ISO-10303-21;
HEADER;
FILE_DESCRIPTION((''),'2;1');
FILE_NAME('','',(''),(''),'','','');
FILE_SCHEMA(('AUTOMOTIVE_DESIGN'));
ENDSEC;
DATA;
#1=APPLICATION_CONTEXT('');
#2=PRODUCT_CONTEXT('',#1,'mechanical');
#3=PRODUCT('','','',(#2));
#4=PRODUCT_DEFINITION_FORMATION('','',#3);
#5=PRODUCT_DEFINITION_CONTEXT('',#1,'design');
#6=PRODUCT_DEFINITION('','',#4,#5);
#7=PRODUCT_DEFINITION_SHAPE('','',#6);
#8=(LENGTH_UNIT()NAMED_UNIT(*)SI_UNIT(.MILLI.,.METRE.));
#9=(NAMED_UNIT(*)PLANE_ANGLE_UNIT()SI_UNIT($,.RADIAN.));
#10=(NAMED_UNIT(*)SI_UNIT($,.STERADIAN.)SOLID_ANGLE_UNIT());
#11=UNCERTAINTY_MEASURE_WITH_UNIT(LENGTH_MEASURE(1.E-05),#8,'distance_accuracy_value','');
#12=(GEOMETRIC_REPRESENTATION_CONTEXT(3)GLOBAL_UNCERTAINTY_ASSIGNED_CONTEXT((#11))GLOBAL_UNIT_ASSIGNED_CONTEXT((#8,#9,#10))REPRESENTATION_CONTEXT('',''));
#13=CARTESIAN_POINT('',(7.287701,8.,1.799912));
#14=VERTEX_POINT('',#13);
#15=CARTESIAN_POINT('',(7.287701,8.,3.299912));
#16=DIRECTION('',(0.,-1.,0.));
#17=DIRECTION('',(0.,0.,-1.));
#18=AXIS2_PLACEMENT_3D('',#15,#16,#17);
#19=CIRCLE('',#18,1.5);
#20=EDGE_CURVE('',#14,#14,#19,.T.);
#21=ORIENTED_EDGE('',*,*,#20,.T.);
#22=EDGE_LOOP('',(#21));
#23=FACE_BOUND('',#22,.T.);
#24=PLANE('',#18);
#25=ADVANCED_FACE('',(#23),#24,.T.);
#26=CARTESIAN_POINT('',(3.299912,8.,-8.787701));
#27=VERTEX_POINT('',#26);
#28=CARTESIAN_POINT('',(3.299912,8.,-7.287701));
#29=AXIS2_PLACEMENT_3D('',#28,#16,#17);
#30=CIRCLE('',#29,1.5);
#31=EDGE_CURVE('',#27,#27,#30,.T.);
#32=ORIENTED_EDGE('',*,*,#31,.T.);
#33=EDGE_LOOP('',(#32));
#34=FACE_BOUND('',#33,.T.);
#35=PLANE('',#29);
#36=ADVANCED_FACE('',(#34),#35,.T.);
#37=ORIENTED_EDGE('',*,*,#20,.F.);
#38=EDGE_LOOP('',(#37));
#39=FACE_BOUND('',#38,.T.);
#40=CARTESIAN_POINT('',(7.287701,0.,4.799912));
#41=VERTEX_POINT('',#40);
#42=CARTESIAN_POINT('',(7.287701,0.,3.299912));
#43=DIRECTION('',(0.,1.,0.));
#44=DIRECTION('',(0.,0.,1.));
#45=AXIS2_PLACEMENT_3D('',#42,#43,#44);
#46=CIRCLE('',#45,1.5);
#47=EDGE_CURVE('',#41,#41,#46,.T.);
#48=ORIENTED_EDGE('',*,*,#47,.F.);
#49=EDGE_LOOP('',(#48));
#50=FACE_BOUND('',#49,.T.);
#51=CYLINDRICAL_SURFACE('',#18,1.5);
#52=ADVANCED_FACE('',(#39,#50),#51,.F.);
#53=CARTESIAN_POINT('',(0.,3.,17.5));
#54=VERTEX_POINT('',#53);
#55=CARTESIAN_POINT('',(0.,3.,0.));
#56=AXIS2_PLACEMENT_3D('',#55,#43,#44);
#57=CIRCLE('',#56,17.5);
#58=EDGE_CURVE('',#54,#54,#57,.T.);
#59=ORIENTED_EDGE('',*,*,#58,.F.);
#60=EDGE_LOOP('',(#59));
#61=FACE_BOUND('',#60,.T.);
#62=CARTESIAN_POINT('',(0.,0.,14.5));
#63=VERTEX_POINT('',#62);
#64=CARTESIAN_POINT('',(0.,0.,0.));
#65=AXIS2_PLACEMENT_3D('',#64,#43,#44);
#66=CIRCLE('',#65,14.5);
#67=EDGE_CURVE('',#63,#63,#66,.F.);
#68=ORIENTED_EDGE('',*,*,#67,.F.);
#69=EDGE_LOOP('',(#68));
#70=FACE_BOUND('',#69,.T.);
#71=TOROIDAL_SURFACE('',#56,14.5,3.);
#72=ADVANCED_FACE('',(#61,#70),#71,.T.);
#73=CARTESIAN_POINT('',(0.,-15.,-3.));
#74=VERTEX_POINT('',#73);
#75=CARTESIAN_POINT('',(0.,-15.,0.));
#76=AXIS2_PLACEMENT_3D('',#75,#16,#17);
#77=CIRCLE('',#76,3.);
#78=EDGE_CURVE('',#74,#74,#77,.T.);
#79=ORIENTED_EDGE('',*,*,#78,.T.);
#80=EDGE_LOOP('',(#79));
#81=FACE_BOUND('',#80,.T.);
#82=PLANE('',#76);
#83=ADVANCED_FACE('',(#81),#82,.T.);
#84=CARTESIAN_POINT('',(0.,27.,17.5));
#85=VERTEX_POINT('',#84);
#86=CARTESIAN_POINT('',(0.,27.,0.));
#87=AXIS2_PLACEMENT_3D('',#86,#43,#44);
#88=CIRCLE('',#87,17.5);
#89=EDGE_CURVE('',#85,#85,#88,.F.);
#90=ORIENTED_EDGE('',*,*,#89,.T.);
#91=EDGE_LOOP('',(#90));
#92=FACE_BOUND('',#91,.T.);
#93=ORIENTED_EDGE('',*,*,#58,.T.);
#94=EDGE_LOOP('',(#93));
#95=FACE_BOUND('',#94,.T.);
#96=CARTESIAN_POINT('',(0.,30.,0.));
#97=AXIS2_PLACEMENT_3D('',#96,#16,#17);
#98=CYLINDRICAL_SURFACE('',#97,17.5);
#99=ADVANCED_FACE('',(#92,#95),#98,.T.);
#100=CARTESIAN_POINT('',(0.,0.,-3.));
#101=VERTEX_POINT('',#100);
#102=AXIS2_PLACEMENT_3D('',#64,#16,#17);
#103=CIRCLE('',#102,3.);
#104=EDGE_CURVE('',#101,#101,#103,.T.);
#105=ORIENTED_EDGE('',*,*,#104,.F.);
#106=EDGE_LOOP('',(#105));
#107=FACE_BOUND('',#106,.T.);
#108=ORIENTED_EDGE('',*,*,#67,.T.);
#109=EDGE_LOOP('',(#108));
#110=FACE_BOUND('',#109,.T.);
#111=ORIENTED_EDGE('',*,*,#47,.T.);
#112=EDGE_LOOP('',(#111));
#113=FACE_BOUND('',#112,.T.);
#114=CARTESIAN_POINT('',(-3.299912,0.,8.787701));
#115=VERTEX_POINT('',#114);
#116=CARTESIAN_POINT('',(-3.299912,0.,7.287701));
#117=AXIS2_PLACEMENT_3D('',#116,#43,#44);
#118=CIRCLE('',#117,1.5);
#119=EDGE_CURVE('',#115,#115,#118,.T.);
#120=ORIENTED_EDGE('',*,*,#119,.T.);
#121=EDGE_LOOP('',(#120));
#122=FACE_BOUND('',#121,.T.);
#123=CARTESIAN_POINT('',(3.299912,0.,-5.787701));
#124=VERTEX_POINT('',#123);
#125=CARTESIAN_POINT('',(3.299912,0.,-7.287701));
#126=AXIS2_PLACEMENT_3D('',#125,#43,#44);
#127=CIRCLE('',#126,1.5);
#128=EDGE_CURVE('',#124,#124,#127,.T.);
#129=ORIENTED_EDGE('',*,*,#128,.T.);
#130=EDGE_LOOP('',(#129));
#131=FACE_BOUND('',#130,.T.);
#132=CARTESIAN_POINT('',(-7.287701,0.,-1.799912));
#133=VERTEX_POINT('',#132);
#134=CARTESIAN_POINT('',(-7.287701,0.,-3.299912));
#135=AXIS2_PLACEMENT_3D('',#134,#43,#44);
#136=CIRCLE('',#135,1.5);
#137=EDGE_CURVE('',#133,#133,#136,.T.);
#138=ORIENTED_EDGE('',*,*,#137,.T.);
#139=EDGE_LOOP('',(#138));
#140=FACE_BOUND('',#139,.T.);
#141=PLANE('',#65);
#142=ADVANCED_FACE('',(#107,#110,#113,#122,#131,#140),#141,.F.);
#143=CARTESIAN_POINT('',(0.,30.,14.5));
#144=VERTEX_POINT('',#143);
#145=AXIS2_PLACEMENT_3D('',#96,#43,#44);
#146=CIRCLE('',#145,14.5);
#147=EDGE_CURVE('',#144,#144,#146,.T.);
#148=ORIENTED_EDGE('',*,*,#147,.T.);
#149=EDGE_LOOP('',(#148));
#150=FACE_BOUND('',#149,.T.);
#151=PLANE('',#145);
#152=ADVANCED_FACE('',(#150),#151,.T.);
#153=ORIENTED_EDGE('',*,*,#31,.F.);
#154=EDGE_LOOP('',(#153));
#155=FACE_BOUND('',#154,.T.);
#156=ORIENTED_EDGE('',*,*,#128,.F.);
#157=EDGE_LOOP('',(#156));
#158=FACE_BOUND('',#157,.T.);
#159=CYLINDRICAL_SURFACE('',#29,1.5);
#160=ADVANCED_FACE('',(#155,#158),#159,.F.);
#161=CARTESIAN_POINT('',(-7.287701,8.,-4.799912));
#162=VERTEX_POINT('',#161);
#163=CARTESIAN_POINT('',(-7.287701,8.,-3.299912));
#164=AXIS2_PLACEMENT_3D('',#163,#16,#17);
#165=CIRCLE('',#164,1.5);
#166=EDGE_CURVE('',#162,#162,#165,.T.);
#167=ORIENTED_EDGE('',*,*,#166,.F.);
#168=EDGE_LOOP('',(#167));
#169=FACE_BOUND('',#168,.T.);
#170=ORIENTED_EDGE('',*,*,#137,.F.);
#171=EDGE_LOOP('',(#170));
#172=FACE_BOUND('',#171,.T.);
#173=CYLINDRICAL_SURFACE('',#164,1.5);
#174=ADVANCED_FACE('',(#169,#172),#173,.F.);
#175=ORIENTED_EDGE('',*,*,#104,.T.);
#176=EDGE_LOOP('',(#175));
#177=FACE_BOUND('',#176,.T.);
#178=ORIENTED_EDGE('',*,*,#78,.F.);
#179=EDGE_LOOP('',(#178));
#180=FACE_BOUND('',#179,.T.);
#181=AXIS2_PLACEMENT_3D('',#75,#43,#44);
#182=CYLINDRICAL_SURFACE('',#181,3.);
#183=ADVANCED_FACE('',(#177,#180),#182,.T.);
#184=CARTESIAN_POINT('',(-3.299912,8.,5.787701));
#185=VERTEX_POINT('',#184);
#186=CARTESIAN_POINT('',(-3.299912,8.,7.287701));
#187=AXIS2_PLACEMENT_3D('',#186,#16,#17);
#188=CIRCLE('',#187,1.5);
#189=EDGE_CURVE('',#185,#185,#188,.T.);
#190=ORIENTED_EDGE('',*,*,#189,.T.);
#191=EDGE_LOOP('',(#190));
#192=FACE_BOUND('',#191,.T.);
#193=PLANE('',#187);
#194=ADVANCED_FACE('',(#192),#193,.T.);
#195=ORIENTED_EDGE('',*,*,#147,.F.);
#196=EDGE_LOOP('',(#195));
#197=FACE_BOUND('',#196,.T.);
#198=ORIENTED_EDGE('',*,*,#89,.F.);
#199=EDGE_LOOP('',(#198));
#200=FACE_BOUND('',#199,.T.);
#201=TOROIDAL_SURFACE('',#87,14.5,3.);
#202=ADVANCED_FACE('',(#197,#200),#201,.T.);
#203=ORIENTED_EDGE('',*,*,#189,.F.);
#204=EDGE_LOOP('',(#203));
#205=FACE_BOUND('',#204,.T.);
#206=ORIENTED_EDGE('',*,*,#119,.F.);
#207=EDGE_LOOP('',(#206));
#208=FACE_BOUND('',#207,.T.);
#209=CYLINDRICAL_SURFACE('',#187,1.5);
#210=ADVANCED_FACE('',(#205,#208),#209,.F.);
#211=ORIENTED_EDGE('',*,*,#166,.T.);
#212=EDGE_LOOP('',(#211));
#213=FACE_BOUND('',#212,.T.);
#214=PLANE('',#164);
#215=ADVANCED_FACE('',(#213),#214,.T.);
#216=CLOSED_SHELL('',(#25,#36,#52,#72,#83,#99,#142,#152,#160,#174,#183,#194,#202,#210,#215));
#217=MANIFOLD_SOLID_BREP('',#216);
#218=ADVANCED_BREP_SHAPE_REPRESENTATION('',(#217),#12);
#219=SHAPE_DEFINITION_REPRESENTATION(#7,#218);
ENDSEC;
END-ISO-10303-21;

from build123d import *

# Parameters (mm, degrees)
SKETCH_1_R          = 17.5
EXTRUDE_1_DEPTH     = 30
SKETCH_2_R          = 3
EXTRUDE_2_DEPTH     = 15
FILLET_1_R          = 3
SKETCH_3_R          = 1.5
CUT_EXTRUDE_1_DEPTH = 10


with BuildPart() as part:
    # 草图1 → 凸台-拉伸1 (new body)
    with BuildSketch(Plane(origin=(0, 0, 0), x_dir=(1, 0, 0), z_dir=(0, 1, 0))):
        with Locations(Location((0, 0, 0), (0, 0, 270))):
            Circle(SKETCH_1_R)
    extrude(amount=EXTRUDE_1_DEPTH)

    # 草图2 → 凸台-拉伸2 (add)
    with BuildSketch(Plane(origin=(0, 0, 0), x_dir=(-1, 0, 0), z_dir=(0, -1, 0))):
        with Locations(Location((0, 0, 0), (0, 0, 90))):
            Circle(SKETCH_2_R)
    extrude(amount=EXTRUDE_2_DEPTH)

    # 圆角1
    fillet_1_edges = [part.edges().sort_by_distance(p)[0] for p in [
        (0, 0, -17.5),
        (0, 30, -17.5),
    ]]
    fillet(fillet_1_edges, radius=FILLET_1_R)

    # 草图3 → 切除-拉伸1 (cut)
    with BuildSketch(Plane(origin=(929.367009244, -2, 420.329827188), x_dir=(-0.9109625982496437, 0, -0.41248896299205207), z_dir=(0, -1, 0))):
        with Locations(Location((1012, -0.448882386, 0), (0, 0, 65.638716244))):
            Circle(SKETCH_3_R)
        with Locations(Location((1020, 7.551117614, 0), (0, 0, 65.638716244))):
            Circle(SKETCH_3_R)
        with Locations(Location((1028, -0.448882386, 0), (0, 0, 65.638716244))):
            Circle(SKETCH_3_R)
        with Locations(Location((1020, -8.448882386, 0), (0, 0, 65.638716244))):
            Circle(SKETCH_3_R)
    extrude(amount=-CUT_EXTRUDE_1_DEPTH, mode=Mode.SUBTRACT)


solid = part.part
